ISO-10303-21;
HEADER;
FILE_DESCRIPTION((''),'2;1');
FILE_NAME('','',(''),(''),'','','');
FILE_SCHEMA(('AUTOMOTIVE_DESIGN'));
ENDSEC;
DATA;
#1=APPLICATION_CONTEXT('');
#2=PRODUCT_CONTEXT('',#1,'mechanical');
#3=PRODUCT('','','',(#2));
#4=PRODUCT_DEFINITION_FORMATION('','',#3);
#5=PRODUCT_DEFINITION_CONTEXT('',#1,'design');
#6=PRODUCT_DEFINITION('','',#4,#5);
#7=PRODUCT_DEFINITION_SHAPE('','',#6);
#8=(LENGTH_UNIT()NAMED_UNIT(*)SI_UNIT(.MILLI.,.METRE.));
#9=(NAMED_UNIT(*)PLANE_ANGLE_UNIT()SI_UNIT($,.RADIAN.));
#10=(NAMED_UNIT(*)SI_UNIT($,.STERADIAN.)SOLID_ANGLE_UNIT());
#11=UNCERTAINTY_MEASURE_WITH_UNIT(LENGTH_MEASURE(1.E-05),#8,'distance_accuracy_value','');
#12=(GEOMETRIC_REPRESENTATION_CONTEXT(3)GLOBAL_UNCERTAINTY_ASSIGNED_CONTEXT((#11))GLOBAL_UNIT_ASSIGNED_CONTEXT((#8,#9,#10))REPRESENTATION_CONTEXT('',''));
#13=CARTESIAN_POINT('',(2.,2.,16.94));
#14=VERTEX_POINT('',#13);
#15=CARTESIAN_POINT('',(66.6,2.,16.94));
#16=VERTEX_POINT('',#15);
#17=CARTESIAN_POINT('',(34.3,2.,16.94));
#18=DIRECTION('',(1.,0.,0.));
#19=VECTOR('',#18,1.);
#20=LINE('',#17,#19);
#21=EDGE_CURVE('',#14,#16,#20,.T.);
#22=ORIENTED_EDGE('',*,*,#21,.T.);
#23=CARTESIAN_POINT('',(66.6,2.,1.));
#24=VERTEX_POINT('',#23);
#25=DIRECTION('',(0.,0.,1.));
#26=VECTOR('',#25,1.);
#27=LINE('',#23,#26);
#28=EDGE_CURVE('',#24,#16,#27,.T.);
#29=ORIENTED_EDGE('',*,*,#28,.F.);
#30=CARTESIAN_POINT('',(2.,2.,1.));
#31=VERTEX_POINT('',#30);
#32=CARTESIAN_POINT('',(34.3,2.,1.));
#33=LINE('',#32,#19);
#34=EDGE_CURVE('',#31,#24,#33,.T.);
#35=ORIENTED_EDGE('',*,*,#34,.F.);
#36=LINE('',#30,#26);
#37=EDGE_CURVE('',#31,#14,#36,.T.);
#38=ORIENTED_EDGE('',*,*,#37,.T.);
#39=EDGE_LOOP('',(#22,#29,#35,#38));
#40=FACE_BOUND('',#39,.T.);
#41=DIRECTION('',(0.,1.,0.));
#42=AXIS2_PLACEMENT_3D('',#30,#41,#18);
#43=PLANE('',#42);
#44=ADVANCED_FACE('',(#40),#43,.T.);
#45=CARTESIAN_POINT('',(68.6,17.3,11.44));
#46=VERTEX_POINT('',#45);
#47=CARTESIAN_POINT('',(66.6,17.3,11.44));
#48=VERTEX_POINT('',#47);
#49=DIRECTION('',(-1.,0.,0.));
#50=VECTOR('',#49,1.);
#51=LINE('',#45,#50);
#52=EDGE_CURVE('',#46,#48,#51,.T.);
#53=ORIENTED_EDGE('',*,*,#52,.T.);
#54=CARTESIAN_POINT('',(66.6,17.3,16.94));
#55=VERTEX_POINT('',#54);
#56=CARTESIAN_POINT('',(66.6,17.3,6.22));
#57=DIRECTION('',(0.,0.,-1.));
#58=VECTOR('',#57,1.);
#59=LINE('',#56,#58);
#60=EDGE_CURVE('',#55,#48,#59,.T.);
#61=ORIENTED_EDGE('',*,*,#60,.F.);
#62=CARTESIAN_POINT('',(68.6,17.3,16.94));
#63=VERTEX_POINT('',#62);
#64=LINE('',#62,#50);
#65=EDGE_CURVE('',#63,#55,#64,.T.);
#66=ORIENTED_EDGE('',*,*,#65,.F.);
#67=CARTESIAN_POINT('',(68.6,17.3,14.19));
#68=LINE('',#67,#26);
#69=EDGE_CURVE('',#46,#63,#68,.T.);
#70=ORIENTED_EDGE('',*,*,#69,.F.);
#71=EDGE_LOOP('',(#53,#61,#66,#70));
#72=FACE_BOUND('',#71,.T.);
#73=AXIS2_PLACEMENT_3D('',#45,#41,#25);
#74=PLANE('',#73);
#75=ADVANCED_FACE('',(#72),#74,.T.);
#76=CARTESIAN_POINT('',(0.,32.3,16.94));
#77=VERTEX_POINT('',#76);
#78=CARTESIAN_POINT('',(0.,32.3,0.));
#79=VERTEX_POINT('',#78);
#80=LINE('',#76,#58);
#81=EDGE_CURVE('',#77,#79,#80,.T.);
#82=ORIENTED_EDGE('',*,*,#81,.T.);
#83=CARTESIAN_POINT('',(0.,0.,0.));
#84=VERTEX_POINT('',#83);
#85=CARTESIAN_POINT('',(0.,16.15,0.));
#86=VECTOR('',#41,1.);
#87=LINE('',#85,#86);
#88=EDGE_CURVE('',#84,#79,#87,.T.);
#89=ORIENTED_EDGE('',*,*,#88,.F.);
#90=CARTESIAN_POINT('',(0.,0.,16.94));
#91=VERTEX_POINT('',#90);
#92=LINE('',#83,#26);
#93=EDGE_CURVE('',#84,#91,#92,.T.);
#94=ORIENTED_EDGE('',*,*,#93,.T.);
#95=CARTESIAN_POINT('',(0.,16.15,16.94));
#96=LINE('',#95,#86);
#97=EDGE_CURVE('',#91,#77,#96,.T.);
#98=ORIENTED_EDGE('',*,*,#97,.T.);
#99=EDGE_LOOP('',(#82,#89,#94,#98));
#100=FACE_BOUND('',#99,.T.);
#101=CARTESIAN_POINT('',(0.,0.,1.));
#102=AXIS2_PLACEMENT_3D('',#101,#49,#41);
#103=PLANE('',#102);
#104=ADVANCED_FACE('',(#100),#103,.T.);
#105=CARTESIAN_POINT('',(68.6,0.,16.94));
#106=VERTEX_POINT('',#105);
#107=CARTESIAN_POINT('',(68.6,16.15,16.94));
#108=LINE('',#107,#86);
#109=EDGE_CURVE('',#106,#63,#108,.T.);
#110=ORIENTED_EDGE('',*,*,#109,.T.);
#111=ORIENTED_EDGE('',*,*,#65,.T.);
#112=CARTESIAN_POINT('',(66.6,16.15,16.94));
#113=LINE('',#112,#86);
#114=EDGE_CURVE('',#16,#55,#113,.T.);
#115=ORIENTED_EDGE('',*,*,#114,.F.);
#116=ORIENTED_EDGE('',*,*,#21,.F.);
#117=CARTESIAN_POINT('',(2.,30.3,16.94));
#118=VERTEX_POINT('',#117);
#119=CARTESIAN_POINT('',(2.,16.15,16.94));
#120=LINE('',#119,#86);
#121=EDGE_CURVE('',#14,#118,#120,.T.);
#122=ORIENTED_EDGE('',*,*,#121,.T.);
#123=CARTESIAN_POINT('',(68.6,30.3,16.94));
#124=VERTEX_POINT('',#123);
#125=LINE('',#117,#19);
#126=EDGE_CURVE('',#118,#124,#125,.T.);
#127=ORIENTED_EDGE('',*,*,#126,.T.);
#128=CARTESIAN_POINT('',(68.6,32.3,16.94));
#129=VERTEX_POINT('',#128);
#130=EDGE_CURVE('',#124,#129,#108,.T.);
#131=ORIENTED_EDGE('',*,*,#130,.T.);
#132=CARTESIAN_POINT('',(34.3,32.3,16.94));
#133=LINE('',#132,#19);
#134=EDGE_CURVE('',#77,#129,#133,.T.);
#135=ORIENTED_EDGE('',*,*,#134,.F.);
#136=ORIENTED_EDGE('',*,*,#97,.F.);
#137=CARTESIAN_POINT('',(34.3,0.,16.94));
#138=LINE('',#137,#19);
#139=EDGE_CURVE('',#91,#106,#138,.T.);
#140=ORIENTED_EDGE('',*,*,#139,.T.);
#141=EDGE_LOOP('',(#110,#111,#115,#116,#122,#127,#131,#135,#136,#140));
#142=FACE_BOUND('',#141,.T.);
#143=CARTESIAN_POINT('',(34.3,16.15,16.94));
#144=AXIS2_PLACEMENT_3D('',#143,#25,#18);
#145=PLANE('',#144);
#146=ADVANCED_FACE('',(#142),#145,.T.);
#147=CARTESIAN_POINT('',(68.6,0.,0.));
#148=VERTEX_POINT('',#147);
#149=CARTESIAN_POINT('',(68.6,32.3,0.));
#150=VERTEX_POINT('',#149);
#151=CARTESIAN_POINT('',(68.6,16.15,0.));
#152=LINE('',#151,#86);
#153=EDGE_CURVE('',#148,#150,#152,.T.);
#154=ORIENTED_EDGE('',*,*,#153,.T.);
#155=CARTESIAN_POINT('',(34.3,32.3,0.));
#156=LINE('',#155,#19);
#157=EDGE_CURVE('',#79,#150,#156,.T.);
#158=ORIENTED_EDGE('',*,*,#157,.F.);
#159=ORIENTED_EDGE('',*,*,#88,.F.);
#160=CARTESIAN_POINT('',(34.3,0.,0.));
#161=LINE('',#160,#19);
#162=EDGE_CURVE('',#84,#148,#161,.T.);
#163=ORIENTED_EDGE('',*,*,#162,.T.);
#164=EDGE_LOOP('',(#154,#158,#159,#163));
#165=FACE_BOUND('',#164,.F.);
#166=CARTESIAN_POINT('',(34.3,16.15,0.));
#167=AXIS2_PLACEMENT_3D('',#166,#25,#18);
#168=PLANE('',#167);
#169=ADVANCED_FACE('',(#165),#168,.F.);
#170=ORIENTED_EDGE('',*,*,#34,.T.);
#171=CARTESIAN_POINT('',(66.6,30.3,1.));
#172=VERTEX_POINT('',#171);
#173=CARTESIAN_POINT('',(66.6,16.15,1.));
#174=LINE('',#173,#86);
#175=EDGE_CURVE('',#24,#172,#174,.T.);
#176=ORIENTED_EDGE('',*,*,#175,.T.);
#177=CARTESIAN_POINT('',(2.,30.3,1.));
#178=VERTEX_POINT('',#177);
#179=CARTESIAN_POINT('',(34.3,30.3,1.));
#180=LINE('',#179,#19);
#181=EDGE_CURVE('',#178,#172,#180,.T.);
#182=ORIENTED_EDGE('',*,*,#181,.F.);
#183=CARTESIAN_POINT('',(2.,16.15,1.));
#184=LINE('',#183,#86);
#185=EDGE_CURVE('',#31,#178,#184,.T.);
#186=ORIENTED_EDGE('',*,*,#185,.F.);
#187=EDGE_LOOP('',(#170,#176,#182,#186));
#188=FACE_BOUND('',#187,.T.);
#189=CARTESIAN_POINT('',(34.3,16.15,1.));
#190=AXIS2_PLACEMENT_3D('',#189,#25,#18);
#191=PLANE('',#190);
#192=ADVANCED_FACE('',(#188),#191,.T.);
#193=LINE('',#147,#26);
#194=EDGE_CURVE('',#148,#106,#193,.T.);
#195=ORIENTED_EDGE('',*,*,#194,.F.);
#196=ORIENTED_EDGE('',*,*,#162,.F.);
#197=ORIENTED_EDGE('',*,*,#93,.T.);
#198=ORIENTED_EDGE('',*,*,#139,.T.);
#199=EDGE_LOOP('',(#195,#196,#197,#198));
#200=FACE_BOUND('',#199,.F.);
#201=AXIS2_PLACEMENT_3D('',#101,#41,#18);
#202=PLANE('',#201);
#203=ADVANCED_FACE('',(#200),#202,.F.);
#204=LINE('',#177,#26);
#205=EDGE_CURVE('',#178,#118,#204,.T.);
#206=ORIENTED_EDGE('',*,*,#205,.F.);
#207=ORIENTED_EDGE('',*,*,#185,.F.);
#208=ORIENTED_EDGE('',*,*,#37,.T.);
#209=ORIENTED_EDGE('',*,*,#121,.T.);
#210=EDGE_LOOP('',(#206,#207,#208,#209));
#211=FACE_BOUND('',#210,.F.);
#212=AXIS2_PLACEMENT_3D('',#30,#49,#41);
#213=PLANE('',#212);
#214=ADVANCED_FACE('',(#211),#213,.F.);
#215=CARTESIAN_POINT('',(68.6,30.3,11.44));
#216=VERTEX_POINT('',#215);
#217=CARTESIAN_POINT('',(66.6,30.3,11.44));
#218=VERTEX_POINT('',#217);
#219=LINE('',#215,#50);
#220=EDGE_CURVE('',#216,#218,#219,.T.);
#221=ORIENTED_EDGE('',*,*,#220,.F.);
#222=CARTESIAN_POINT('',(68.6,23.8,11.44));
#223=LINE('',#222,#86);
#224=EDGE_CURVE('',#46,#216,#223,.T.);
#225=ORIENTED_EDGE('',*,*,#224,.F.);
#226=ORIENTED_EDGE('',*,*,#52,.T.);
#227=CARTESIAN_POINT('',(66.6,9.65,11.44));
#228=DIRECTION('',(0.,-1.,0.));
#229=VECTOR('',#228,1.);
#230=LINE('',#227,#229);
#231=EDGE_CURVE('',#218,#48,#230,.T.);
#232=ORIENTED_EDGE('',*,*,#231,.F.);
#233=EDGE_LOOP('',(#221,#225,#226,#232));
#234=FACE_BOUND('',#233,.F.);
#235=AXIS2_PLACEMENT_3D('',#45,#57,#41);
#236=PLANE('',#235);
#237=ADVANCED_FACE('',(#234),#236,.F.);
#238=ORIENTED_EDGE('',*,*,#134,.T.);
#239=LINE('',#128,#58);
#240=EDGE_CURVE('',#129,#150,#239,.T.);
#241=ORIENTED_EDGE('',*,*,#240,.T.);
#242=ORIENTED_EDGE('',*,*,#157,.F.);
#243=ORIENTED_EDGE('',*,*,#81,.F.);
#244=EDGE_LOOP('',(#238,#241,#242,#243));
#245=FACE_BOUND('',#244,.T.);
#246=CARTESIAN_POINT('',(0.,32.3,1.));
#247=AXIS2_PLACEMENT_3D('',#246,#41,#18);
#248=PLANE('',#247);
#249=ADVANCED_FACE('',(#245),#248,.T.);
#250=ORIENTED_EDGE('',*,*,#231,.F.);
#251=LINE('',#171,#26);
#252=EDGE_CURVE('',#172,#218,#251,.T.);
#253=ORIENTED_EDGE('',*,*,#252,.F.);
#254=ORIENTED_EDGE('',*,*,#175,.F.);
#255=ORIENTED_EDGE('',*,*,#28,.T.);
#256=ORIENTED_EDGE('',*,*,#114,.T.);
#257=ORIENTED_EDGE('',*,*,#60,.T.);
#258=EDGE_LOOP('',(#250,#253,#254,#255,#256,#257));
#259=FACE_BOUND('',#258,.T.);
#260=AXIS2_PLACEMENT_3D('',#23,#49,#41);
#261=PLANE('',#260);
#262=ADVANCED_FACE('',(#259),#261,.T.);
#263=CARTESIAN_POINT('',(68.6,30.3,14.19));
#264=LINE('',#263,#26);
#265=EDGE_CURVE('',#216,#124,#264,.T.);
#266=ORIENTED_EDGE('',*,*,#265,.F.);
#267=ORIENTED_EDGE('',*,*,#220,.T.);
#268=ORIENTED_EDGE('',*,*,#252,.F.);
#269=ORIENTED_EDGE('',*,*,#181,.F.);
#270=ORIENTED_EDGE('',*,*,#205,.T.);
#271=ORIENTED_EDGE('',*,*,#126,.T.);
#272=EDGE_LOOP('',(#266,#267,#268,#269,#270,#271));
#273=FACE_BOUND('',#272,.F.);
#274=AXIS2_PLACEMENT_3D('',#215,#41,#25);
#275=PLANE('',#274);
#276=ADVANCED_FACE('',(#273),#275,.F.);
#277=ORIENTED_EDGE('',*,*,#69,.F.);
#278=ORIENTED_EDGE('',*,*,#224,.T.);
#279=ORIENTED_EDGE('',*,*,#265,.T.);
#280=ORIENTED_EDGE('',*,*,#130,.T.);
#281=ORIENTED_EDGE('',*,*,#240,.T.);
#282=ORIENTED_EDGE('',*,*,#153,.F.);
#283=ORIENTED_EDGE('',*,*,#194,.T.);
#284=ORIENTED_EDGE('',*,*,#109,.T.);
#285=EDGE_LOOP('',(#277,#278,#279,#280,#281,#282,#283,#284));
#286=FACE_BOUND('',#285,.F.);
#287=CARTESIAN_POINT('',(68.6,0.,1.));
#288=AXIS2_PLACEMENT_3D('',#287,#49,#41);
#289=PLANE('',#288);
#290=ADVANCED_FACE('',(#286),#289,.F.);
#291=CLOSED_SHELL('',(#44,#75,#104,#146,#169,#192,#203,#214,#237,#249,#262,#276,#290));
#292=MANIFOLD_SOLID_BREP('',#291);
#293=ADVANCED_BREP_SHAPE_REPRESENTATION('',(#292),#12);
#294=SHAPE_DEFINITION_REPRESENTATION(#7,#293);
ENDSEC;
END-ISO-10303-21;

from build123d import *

# Parameters (mm, degrees)
F0_W     = 68.6
F0_H     = 32.3
F1_DEPTH = 1
F2_W     = 68.6
F2_H     = 32.3
F2_W_2   = 64.6
F2_H_2   = 28.3
F3_DEPTH = 15.94
F4_W     = 13
F4_H     = 5.5
F5_DEPTH = 25


with BuildPart() as f1:
    # F0 (on Top) → F1 (new body)
    with BuildSketch(Plane.XY):
        with Locations((34.3, 16.15)):
            Rectangle(F0_W, F0_H)
    extrude(amount=F1_DEPTH)

    # F2 (on face) → F3 (join)
    with BuildSketch(Plane.XY.offset(1)):
        with Locations((34.3, 16.15)):
            Rectangle(F2_W, F2_H)
        with Locations((34.3, 16.15)):
            Rectangle(F2_W_2, F2_H_2, mode=Mode.SUBTRACT)
    extrude(amount=F3_DEPTH)

    # F4 (on face) → F5 (cut)
    with BuildSketch(Plane.YZ.offset(68.6)):
        with Locations((23.8, 14.19)):
            Rectangle(F4_W, F4_H)
    extrude(amount=-F5_DEPTH, mode=Mode.SUBTRACT)


solid = f1.part
